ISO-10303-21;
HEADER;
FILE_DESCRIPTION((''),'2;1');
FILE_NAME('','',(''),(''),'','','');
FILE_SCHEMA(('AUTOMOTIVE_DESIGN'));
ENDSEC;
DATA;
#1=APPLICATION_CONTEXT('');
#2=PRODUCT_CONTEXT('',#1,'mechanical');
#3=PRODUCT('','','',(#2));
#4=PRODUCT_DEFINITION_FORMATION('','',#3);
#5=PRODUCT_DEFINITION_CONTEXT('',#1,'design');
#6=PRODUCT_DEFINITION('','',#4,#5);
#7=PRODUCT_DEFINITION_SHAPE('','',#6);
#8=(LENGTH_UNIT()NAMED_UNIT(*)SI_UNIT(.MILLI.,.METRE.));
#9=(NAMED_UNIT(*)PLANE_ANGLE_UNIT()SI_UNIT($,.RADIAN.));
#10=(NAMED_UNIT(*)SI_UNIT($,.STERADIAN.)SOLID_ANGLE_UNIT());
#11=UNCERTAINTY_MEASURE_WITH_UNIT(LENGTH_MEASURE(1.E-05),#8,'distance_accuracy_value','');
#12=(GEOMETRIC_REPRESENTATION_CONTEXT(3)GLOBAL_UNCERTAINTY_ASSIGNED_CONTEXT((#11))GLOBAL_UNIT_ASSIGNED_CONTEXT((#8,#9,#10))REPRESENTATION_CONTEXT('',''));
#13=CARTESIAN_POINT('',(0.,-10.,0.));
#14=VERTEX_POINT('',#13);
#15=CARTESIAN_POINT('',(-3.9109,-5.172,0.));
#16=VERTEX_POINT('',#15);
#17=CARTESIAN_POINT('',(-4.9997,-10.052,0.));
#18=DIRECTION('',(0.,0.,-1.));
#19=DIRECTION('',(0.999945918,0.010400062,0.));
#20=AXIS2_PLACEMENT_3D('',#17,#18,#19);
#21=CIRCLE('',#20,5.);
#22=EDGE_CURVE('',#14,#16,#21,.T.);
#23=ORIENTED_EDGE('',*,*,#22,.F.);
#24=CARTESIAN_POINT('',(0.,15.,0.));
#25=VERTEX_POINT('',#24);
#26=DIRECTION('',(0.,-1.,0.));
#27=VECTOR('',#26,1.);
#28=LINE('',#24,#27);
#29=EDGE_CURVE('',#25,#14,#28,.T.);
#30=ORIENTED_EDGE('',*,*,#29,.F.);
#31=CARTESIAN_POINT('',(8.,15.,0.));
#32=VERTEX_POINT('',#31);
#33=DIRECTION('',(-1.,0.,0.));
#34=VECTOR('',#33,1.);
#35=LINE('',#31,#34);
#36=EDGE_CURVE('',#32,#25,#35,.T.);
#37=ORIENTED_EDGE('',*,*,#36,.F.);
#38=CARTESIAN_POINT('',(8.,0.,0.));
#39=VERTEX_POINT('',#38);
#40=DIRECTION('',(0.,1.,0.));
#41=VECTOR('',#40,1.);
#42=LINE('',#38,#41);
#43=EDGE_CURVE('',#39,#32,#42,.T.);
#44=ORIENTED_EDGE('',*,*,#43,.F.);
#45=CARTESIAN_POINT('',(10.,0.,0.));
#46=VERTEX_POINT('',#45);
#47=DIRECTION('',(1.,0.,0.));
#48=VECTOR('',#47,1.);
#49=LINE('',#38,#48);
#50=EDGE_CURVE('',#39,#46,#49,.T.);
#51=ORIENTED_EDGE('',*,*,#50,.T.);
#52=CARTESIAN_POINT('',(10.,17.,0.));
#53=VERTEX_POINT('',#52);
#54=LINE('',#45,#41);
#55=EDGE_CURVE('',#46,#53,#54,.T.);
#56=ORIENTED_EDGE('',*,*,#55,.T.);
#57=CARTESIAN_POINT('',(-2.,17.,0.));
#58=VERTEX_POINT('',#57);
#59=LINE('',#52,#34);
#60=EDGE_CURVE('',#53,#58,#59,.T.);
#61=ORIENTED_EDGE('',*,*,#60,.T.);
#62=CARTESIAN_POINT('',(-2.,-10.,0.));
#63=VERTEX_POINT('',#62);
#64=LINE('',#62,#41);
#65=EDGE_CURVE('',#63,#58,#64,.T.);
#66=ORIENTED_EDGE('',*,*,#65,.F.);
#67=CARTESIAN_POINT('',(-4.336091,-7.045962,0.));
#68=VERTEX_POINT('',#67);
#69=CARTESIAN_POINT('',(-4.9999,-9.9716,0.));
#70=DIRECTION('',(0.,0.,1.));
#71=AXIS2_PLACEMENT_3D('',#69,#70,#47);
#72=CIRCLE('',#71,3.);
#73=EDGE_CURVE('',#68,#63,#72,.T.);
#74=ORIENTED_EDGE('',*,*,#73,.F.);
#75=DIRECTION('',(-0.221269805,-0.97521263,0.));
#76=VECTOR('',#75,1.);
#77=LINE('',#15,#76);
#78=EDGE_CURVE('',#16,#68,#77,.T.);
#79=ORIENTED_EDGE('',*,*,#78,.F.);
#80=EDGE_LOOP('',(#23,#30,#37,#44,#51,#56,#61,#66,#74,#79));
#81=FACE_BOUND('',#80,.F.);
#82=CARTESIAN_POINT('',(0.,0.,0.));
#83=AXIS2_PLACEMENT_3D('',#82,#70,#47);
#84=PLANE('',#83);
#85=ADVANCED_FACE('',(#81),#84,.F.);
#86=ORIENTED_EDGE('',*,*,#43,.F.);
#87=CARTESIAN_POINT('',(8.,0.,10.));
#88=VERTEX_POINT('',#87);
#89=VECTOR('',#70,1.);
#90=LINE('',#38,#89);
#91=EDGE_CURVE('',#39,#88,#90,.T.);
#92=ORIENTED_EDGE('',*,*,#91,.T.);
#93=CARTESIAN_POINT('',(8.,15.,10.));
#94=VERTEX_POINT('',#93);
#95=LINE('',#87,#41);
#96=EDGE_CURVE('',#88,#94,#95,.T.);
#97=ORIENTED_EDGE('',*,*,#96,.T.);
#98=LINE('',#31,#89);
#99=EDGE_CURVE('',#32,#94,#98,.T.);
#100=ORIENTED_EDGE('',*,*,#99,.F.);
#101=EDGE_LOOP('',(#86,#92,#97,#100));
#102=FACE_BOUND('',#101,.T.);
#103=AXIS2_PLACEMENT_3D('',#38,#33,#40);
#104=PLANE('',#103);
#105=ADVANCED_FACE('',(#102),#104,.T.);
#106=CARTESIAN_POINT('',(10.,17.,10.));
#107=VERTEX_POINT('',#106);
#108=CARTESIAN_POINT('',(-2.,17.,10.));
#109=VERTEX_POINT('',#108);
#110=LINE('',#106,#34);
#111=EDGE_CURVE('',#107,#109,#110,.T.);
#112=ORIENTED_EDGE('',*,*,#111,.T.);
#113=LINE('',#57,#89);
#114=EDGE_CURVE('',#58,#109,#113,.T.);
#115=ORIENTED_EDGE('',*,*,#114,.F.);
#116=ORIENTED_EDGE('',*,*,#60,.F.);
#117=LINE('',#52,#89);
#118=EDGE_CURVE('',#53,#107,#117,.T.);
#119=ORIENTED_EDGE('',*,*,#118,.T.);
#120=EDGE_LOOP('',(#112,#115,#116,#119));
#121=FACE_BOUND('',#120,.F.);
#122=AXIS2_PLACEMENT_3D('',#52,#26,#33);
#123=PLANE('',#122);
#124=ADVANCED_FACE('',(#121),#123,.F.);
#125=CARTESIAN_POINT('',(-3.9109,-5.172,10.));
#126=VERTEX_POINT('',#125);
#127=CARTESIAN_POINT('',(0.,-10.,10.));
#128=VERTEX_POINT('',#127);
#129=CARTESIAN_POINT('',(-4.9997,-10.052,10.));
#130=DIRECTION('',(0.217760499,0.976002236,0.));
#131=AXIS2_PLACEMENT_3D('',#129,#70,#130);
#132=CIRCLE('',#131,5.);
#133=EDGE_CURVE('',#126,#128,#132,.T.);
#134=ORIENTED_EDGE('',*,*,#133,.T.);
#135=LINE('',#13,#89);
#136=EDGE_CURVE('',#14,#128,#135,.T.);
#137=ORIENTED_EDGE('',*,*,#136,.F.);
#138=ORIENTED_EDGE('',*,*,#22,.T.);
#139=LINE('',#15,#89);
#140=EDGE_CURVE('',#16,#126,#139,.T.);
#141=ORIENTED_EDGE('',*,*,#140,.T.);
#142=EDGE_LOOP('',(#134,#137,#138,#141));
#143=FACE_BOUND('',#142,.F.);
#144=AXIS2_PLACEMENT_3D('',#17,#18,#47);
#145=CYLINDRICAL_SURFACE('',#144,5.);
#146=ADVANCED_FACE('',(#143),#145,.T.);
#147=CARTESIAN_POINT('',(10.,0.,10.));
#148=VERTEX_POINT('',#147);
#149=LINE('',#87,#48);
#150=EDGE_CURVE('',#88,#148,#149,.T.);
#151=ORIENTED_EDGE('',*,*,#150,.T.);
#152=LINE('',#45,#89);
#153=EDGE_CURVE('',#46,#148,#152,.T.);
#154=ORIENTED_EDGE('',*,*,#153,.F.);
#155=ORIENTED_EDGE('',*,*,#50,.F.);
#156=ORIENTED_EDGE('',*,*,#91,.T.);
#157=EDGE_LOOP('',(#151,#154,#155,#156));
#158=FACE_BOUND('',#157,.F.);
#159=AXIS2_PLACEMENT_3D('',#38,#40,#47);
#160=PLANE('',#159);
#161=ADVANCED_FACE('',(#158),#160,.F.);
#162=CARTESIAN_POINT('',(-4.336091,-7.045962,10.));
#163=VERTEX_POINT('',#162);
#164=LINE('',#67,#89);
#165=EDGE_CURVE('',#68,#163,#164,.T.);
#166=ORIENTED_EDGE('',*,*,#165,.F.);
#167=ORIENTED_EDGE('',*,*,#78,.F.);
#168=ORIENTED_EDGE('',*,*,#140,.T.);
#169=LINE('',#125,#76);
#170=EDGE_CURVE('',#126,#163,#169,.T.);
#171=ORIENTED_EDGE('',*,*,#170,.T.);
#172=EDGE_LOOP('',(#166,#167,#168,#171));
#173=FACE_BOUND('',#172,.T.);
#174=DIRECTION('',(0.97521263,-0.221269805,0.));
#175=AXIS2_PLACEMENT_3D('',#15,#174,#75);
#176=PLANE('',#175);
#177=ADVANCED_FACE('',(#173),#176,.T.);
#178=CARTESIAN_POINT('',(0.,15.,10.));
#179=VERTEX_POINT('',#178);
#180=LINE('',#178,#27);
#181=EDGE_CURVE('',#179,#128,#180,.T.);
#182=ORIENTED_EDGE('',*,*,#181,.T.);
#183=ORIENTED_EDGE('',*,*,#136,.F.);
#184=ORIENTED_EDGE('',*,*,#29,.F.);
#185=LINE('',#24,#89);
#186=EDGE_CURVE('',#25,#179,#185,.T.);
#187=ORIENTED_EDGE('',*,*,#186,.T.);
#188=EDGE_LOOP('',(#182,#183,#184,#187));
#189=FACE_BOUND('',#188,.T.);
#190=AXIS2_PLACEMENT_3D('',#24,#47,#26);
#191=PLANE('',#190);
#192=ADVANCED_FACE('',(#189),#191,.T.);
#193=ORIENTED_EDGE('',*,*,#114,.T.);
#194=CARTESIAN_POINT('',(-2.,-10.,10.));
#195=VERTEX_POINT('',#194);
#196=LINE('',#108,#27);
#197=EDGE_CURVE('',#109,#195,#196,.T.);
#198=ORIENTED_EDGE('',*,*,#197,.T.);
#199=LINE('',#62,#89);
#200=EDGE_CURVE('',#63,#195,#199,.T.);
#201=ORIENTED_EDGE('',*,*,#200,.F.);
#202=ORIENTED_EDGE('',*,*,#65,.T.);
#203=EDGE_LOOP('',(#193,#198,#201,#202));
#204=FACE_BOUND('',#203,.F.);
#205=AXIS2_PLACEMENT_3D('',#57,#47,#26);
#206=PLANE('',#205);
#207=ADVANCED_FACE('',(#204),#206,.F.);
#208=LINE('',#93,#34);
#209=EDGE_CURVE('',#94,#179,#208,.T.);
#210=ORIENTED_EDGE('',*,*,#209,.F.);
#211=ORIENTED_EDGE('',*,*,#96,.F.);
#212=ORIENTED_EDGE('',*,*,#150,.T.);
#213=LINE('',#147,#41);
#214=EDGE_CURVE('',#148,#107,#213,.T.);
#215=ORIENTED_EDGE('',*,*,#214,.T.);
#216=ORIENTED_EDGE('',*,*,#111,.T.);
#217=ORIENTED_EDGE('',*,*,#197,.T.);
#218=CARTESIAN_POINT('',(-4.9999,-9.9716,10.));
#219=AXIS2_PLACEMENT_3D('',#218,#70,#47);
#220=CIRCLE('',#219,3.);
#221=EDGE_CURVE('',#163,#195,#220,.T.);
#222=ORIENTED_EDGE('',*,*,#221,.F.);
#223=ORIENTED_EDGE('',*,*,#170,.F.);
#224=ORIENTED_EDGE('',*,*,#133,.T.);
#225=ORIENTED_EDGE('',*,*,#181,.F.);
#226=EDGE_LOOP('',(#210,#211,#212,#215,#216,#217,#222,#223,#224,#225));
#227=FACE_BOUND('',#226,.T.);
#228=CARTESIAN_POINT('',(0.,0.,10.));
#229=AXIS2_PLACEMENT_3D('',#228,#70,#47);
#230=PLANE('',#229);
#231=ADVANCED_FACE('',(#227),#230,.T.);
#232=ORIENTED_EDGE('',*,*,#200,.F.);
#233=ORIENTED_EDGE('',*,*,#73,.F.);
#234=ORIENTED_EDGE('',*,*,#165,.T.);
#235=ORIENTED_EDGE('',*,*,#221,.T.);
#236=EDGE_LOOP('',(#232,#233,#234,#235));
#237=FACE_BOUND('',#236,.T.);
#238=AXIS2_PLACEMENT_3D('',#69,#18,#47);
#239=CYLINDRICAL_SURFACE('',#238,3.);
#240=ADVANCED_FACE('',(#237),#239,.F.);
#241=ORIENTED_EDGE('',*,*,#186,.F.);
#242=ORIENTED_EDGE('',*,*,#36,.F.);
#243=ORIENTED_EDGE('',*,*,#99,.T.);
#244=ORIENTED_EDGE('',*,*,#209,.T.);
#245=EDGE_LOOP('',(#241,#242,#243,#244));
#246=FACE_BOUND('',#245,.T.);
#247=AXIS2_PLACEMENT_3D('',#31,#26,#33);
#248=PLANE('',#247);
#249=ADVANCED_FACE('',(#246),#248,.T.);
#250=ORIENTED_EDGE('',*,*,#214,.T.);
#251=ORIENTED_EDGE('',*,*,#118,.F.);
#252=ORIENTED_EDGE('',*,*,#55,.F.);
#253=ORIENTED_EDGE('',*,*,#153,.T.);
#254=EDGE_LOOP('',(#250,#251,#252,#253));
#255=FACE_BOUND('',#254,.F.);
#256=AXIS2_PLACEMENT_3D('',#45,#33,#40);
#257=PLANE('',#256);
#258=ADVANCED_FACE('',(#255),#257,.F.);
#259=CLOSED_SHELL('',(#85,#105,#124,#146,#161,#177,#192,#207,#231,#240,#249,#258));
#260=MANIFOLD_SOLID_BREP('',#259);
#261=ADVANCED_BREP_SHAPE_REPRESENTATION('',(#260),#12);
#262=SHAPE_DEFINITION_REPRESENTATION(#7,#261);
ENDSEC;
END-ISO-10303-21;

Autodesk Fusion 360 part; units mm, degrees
sketch "Skizze1" plane through (0, 0, 0) normal (0, 0, 1) x (1, 0, 0)
  line L0 (8, 0) -> (8, 15)
  line L1 (8, 15) -> (0, 15)
  line L2 (0, 15) -> (0, -10)
  line L3 (8, 0) -> (10, 0)
  line L4 (10, 0) -> (10, 17)
  line L5 (10, 17) -> (-2, 17)
  line L6 (-2, 17) -> (-2, -10)
  line L7 (-2, -10) -> (0, -10)
  circle A0 centre (-4.9997, -10.052) radius 5
  circle A1 centre (-4.9999, -9.9716) radius 3
  line L8 (-3.9109, -5.172) -> (-4.9999, -9.9716)
  dimension "d2" = 8
  dimension "d3" = 15
  dimension "d4" = 25
  dimension "d5" = 2
  dimension "d6" = 2
  dimension "d7" = 2
  dimension "d8" = 10
  dimension "d9" = 6
extrude "Extrusion1" add sketch "Skizze1" along normal blind 10 contours L0 L1 L2 L3 L4 L5 L6 A0 | L7 A0 A1 L8 | L6 L7 A0 A1
equation "d6 = d5"
equation "d7 = d5"
